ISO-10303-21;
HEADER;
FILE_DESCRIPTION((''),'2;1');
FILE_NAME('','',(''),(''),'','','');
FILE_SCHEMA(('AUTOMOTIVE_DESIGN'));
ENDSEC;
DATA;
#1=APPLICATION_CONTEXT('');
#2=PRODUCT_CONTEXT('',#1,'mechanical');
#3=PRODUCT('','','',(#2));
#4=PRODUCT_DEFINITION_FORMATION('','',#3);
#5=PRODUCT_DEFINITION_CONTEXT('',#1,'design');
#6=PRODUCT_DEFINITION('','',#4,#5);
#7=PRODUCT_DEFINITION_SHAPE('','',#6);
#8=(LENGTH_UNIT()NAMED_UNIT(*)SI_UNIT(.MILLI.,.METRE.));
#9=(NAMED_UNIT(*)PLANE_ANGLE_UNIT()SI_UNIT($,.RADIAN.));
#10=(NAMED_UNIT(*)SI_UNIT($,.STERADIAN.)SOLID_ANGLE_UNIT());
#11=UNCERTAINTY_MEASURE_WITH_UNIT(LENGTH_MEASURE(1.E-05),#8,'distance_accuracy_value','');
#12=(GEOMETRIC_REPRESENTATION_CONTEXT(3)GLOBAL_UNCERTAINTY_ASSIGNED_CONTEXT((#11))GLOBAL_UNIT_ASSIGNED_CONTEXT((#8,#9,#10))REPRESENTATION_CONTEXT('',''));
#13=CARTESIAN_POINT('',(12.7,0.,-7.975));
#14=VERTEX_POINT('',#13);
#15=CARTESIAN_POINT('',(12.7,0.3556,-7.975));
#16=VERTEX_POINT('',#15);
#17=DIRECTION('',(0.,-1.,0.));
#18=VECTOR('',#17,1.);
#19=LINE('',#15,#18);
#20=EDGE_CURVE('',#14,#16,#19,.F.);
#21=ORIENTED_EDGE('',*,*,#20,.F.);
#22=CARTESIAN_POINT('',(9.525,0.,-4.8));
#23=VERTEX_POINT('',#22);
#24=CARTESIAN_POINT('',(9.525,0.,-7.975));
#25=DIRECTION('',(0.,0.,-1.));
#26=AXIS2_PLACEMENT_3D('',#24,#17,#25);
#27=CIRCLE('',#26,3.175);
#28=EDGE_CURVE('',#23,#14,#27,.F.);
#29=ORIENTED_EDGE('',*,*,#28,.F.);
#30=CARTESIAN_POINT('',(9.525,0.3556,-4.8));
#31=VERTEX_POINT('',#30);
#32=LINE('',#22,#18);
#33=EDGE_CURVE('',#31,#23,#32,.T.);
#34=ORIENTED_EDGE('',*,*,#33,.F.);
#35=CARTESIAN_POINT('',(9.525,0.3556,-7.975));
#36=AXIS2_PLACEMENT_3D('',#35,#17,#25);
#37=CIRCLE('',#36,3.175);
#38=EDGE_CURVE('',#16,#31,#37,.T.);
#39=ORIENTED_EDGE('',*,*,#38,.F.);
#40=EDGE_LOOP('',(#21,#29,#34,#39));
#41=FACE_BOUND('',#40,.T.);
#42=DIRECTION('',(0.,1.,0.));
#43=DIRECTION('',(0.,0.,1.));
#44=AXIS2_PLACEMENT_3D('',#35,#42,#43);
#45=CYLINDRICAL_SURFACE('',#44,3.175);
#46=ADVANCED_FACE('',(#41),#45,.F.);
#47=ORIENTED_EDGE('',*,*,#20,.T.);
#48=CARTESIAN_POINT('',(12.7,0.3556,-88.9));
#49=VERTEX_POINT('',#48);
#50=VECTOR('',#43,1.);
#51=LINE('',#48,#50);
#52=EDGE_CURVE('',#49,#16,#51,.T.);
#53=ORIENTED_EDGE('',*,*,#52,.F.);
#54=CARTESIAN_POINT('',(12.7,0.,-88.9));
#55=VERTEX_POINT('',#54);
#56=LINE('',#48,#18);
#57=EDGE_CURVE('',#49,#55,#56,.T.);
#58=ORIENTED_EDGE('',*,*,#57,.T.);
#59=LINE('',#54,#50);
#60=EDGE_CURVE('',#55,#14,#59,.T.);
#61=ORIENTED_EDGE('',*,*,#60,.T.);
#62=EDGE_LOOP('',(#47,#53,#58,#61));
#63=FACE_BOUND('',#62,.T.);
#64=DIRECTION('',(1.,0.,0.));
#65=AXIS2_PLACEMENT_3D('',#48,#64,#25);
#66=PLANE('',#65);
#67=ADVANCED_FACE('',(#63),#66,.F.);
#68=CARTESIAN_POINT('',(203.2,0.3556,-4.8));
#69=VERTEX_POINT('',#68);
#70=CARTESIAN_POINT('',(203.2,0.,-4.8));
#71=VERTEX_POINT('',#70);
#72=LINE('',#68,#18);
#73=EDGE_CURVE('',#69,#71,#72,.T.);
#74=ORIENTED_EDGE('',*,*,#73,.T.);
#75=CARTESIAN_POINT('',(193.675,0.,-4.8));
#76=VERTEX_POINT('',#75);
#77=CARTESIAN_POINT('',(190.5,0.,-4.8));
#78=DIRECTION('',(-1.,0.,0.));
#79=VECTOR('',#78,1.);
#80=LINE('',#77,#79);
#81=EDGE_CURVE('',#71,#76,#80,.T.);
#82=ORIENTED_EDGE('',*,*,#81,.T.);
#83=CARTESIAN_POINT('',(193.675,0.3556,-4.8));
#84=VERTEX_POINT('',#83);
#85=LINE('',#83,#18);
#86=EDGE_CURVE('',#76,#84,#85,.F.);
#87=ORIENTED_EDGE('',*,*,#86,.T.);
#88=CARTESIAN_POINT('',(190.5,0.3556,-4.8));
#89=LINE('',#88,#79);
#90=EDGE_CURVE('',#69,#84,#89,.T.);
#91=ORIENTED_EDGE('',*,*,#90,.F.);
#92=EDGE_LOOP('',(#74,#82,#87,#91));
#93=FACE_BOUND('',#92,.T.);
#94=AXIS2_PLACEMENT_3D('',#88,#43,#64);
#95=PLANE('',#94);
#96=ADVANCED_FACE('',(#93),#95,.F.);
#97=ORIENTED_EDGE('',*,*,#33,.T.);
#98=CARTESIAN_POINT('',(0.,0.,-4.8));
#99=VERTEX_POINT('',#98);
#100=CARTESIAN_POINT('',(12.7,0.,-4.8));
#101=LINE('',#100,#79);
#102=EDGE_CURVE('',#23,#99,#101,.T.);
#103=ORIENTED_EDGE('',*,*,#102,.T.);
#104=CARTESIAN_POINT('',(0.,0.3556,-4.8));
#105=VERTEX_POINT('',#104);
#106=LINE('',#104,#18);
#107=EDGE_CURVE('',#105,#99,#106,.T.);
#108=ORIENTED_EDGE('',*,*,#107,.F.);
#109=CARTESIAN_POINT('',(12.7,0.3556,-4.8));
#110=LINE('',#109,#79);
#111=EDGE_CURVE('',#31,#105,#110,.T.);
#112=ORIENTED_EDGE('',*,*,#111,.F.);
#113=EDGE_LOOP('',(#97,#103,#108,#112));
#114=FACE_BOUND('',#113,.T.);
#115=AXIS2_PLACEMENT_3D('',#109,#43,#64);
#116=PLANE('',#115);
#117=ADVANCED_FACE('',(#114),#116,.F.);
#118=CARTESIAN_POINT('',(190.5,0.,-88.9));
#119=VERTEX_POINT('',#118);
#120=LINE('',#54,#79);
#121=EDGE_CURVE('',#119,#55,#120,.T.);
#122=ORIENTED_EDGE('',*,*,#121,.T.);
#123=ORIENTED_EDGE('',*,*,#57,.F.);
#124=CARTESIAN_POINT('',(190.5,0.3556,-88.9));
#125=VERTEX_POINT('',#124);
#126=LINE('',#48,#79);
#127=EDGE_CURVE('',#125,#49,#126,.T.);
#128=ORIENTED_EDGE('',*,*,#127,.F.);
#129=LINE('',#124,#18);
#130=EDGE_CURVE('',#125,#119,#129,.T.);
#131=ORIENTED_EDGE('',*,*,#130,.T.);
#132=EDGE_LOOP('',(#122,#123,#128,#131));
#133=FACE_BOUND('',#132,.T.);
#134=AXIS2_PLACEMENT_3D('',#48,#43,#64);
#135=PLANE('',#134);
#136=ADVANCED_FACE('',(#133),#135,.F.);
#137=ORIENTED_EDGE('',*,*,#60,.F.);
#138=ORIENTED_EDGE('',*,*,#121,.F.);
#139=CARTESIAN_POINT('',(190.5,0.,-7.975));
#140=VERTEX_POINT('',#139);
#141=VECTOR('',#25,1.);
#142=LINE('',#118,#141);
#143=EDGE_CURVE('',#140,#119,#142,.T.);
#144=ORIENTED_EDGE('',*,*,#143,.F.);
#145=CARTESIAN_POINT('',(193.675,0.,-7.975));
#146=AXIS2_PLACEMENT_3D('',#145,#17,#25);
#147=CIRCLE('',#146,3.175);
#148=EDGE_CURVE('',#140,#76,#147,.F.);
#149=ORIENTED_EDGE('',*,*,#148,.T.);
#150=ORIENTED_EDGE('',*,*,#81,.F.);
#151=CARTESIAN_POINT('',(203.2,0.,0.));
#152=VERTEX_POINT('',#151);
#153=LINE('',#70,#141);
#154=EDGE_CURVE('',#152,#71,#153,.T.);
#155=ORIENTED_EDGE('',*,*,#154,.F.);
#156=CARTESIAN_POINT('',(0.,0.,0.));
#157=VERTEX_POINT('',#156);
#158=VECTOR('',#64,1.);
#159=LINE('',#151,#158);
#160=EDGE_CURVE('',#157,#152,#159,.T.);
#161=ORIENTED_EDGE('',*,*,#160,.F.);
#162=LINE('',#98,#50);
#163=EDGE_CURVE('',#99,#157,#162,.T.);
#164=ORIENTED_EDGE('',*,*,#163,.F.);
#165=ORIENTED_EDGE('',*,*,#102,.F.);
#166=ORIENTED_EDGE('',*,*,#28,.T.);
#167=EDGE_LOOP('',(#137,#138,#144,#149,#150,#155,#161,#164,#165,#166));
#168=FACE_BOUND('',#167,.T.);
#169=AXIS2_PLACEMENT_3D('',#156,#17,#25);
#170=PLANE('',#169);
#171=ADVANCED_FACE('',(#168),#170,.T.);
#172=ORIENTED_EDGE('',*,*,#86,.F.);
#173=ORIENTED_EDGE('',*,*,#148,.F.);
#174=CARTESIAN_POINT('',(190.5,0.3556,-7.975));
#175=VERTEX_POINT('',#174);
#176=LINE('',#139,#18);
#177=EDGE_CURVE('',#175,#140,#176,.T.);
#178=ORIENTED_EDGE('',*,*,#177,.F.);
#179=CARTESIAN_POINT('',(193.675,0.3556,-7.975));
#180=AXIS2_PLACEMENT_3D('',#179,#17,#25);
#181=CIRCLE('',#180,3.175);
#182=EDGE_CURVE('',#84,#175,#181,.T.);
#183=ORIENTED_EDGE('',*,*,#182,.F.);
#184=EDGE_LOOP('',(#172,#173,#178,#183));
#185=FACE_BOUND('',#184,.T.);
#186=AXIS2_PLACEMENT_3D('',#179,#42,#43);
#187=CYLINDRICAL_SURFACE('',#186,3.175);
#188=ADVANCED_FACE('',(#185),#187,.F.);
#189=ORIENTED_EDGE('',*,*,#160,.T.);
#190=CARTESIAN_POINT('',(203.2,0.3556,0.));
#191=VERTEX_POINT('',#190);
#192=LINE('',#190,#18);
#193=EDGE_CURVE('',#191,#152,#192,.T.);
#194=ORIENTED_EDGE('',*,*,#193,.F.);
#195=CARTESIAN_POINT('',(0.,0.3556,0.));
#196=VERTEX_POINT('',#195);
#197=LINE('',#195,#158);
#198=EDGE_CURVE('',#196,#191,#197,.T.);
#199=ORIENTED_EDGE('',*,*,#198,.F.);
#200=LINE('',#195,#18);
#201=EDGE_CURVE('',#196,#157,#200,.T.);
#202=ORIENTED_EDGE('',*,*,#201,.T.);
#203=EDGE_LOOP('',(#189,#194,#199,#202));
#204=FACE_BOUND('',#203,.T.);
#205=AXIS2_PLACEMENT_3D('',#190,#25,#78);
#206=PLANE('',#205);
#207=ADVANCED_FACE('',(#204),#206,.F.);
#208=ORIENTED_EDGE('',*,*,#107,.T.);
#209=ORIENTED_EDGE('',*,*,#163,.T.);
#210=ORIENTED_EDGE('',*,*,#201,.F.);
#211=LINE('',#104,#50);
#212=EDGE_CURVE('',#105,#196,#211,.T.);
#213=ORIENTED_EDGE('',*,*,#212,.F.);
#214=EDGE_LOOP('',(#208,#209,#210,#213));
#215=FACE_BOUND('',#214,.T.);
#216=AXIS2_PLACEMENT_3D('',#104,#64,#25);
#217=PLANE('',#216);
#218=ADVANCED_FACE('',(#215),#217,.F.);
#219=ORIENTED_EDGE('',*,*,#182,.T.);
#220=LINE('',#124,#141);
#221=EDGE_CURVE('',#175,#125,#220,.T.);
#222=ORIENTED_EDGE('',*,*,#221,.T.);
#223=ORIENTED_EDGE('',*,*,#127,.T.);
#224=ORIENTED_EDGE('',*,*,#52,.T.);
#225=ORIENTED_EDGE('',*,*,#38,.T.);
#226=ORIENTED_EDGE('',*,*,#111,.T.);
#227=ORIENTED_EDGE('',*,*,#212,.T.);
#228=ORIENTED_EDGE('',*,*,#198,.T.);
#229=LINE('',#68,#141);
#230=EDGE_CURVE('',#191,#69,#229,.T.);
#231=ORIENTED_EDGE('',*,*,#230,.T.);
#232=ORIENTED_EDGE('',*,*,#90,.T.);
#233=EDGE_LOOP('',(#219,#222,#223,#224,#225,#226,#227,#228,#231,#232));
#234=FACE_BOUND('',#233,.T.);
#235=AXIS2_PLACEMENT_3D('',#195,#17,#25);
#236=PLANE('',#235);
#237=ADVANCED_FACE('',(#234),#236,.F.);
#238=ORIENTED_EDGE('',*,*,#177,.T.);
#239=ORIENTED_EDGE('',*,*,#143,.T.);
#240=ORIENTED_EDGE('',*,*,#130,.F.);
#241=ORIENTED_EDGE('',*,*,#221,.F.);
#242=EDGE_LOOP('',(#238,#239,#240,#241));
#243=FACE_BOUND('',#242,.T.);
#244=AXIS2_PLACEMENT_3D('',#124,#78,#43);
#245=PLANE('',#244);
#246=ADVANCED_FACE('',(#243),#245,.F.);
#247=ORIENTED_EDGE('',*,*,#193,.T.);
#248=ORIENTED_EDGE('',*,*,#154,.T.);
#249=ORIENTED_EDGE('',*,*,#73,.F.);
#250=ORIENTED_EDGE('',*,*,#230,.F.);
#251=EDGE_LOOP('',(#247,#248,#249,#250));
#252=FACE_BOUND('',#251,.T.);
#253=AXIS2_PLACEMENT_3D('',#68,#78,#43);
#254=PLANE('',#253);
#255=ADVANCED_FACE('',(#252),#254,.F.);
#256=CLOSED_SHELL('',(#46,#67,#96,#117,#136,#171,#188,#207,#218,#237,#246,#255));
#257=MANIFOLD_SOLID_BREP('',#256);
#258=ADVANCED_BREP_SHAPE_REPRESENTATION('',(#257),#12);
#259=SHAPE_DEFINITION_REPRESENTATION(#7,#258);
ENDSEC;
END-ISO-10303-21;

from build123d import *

# Parameters (mm, degrees)
BOSS_EXTRUDE1_DEPTH = 0.3556
FILLET3_R           = 3.175


with BuildPart() as part:
    # Sketch1 → Boss-Extrude1 (new body)
    with BuildSketch(Plane(origin=(0, 0, 0), x_dir=(1, 0, 0), z_dir=(0, 1, 0))):
        Polygon((12.7, 88.9), (12.7, 4.8), (0, 4.8), (0, 0), (12.7, 0), (190.5, 0), (203.2, 0), (203.2, 4.8), (190.5, 4.8), (190.5, 88.9), align=None)
    extrude(amount=BOSS_EXTRUDE1_DEPTH)

    # Fillet3
    fillet3_edges = [part.edges().sort_by_distance(p)[0] for p in [
        (12.7, 0.1778, -4.8),
        (190.5, 0.1778, -4.8),
    ]]
    fillet(fillet3_edges, radius=FILLET3_R)


solid = part.part
